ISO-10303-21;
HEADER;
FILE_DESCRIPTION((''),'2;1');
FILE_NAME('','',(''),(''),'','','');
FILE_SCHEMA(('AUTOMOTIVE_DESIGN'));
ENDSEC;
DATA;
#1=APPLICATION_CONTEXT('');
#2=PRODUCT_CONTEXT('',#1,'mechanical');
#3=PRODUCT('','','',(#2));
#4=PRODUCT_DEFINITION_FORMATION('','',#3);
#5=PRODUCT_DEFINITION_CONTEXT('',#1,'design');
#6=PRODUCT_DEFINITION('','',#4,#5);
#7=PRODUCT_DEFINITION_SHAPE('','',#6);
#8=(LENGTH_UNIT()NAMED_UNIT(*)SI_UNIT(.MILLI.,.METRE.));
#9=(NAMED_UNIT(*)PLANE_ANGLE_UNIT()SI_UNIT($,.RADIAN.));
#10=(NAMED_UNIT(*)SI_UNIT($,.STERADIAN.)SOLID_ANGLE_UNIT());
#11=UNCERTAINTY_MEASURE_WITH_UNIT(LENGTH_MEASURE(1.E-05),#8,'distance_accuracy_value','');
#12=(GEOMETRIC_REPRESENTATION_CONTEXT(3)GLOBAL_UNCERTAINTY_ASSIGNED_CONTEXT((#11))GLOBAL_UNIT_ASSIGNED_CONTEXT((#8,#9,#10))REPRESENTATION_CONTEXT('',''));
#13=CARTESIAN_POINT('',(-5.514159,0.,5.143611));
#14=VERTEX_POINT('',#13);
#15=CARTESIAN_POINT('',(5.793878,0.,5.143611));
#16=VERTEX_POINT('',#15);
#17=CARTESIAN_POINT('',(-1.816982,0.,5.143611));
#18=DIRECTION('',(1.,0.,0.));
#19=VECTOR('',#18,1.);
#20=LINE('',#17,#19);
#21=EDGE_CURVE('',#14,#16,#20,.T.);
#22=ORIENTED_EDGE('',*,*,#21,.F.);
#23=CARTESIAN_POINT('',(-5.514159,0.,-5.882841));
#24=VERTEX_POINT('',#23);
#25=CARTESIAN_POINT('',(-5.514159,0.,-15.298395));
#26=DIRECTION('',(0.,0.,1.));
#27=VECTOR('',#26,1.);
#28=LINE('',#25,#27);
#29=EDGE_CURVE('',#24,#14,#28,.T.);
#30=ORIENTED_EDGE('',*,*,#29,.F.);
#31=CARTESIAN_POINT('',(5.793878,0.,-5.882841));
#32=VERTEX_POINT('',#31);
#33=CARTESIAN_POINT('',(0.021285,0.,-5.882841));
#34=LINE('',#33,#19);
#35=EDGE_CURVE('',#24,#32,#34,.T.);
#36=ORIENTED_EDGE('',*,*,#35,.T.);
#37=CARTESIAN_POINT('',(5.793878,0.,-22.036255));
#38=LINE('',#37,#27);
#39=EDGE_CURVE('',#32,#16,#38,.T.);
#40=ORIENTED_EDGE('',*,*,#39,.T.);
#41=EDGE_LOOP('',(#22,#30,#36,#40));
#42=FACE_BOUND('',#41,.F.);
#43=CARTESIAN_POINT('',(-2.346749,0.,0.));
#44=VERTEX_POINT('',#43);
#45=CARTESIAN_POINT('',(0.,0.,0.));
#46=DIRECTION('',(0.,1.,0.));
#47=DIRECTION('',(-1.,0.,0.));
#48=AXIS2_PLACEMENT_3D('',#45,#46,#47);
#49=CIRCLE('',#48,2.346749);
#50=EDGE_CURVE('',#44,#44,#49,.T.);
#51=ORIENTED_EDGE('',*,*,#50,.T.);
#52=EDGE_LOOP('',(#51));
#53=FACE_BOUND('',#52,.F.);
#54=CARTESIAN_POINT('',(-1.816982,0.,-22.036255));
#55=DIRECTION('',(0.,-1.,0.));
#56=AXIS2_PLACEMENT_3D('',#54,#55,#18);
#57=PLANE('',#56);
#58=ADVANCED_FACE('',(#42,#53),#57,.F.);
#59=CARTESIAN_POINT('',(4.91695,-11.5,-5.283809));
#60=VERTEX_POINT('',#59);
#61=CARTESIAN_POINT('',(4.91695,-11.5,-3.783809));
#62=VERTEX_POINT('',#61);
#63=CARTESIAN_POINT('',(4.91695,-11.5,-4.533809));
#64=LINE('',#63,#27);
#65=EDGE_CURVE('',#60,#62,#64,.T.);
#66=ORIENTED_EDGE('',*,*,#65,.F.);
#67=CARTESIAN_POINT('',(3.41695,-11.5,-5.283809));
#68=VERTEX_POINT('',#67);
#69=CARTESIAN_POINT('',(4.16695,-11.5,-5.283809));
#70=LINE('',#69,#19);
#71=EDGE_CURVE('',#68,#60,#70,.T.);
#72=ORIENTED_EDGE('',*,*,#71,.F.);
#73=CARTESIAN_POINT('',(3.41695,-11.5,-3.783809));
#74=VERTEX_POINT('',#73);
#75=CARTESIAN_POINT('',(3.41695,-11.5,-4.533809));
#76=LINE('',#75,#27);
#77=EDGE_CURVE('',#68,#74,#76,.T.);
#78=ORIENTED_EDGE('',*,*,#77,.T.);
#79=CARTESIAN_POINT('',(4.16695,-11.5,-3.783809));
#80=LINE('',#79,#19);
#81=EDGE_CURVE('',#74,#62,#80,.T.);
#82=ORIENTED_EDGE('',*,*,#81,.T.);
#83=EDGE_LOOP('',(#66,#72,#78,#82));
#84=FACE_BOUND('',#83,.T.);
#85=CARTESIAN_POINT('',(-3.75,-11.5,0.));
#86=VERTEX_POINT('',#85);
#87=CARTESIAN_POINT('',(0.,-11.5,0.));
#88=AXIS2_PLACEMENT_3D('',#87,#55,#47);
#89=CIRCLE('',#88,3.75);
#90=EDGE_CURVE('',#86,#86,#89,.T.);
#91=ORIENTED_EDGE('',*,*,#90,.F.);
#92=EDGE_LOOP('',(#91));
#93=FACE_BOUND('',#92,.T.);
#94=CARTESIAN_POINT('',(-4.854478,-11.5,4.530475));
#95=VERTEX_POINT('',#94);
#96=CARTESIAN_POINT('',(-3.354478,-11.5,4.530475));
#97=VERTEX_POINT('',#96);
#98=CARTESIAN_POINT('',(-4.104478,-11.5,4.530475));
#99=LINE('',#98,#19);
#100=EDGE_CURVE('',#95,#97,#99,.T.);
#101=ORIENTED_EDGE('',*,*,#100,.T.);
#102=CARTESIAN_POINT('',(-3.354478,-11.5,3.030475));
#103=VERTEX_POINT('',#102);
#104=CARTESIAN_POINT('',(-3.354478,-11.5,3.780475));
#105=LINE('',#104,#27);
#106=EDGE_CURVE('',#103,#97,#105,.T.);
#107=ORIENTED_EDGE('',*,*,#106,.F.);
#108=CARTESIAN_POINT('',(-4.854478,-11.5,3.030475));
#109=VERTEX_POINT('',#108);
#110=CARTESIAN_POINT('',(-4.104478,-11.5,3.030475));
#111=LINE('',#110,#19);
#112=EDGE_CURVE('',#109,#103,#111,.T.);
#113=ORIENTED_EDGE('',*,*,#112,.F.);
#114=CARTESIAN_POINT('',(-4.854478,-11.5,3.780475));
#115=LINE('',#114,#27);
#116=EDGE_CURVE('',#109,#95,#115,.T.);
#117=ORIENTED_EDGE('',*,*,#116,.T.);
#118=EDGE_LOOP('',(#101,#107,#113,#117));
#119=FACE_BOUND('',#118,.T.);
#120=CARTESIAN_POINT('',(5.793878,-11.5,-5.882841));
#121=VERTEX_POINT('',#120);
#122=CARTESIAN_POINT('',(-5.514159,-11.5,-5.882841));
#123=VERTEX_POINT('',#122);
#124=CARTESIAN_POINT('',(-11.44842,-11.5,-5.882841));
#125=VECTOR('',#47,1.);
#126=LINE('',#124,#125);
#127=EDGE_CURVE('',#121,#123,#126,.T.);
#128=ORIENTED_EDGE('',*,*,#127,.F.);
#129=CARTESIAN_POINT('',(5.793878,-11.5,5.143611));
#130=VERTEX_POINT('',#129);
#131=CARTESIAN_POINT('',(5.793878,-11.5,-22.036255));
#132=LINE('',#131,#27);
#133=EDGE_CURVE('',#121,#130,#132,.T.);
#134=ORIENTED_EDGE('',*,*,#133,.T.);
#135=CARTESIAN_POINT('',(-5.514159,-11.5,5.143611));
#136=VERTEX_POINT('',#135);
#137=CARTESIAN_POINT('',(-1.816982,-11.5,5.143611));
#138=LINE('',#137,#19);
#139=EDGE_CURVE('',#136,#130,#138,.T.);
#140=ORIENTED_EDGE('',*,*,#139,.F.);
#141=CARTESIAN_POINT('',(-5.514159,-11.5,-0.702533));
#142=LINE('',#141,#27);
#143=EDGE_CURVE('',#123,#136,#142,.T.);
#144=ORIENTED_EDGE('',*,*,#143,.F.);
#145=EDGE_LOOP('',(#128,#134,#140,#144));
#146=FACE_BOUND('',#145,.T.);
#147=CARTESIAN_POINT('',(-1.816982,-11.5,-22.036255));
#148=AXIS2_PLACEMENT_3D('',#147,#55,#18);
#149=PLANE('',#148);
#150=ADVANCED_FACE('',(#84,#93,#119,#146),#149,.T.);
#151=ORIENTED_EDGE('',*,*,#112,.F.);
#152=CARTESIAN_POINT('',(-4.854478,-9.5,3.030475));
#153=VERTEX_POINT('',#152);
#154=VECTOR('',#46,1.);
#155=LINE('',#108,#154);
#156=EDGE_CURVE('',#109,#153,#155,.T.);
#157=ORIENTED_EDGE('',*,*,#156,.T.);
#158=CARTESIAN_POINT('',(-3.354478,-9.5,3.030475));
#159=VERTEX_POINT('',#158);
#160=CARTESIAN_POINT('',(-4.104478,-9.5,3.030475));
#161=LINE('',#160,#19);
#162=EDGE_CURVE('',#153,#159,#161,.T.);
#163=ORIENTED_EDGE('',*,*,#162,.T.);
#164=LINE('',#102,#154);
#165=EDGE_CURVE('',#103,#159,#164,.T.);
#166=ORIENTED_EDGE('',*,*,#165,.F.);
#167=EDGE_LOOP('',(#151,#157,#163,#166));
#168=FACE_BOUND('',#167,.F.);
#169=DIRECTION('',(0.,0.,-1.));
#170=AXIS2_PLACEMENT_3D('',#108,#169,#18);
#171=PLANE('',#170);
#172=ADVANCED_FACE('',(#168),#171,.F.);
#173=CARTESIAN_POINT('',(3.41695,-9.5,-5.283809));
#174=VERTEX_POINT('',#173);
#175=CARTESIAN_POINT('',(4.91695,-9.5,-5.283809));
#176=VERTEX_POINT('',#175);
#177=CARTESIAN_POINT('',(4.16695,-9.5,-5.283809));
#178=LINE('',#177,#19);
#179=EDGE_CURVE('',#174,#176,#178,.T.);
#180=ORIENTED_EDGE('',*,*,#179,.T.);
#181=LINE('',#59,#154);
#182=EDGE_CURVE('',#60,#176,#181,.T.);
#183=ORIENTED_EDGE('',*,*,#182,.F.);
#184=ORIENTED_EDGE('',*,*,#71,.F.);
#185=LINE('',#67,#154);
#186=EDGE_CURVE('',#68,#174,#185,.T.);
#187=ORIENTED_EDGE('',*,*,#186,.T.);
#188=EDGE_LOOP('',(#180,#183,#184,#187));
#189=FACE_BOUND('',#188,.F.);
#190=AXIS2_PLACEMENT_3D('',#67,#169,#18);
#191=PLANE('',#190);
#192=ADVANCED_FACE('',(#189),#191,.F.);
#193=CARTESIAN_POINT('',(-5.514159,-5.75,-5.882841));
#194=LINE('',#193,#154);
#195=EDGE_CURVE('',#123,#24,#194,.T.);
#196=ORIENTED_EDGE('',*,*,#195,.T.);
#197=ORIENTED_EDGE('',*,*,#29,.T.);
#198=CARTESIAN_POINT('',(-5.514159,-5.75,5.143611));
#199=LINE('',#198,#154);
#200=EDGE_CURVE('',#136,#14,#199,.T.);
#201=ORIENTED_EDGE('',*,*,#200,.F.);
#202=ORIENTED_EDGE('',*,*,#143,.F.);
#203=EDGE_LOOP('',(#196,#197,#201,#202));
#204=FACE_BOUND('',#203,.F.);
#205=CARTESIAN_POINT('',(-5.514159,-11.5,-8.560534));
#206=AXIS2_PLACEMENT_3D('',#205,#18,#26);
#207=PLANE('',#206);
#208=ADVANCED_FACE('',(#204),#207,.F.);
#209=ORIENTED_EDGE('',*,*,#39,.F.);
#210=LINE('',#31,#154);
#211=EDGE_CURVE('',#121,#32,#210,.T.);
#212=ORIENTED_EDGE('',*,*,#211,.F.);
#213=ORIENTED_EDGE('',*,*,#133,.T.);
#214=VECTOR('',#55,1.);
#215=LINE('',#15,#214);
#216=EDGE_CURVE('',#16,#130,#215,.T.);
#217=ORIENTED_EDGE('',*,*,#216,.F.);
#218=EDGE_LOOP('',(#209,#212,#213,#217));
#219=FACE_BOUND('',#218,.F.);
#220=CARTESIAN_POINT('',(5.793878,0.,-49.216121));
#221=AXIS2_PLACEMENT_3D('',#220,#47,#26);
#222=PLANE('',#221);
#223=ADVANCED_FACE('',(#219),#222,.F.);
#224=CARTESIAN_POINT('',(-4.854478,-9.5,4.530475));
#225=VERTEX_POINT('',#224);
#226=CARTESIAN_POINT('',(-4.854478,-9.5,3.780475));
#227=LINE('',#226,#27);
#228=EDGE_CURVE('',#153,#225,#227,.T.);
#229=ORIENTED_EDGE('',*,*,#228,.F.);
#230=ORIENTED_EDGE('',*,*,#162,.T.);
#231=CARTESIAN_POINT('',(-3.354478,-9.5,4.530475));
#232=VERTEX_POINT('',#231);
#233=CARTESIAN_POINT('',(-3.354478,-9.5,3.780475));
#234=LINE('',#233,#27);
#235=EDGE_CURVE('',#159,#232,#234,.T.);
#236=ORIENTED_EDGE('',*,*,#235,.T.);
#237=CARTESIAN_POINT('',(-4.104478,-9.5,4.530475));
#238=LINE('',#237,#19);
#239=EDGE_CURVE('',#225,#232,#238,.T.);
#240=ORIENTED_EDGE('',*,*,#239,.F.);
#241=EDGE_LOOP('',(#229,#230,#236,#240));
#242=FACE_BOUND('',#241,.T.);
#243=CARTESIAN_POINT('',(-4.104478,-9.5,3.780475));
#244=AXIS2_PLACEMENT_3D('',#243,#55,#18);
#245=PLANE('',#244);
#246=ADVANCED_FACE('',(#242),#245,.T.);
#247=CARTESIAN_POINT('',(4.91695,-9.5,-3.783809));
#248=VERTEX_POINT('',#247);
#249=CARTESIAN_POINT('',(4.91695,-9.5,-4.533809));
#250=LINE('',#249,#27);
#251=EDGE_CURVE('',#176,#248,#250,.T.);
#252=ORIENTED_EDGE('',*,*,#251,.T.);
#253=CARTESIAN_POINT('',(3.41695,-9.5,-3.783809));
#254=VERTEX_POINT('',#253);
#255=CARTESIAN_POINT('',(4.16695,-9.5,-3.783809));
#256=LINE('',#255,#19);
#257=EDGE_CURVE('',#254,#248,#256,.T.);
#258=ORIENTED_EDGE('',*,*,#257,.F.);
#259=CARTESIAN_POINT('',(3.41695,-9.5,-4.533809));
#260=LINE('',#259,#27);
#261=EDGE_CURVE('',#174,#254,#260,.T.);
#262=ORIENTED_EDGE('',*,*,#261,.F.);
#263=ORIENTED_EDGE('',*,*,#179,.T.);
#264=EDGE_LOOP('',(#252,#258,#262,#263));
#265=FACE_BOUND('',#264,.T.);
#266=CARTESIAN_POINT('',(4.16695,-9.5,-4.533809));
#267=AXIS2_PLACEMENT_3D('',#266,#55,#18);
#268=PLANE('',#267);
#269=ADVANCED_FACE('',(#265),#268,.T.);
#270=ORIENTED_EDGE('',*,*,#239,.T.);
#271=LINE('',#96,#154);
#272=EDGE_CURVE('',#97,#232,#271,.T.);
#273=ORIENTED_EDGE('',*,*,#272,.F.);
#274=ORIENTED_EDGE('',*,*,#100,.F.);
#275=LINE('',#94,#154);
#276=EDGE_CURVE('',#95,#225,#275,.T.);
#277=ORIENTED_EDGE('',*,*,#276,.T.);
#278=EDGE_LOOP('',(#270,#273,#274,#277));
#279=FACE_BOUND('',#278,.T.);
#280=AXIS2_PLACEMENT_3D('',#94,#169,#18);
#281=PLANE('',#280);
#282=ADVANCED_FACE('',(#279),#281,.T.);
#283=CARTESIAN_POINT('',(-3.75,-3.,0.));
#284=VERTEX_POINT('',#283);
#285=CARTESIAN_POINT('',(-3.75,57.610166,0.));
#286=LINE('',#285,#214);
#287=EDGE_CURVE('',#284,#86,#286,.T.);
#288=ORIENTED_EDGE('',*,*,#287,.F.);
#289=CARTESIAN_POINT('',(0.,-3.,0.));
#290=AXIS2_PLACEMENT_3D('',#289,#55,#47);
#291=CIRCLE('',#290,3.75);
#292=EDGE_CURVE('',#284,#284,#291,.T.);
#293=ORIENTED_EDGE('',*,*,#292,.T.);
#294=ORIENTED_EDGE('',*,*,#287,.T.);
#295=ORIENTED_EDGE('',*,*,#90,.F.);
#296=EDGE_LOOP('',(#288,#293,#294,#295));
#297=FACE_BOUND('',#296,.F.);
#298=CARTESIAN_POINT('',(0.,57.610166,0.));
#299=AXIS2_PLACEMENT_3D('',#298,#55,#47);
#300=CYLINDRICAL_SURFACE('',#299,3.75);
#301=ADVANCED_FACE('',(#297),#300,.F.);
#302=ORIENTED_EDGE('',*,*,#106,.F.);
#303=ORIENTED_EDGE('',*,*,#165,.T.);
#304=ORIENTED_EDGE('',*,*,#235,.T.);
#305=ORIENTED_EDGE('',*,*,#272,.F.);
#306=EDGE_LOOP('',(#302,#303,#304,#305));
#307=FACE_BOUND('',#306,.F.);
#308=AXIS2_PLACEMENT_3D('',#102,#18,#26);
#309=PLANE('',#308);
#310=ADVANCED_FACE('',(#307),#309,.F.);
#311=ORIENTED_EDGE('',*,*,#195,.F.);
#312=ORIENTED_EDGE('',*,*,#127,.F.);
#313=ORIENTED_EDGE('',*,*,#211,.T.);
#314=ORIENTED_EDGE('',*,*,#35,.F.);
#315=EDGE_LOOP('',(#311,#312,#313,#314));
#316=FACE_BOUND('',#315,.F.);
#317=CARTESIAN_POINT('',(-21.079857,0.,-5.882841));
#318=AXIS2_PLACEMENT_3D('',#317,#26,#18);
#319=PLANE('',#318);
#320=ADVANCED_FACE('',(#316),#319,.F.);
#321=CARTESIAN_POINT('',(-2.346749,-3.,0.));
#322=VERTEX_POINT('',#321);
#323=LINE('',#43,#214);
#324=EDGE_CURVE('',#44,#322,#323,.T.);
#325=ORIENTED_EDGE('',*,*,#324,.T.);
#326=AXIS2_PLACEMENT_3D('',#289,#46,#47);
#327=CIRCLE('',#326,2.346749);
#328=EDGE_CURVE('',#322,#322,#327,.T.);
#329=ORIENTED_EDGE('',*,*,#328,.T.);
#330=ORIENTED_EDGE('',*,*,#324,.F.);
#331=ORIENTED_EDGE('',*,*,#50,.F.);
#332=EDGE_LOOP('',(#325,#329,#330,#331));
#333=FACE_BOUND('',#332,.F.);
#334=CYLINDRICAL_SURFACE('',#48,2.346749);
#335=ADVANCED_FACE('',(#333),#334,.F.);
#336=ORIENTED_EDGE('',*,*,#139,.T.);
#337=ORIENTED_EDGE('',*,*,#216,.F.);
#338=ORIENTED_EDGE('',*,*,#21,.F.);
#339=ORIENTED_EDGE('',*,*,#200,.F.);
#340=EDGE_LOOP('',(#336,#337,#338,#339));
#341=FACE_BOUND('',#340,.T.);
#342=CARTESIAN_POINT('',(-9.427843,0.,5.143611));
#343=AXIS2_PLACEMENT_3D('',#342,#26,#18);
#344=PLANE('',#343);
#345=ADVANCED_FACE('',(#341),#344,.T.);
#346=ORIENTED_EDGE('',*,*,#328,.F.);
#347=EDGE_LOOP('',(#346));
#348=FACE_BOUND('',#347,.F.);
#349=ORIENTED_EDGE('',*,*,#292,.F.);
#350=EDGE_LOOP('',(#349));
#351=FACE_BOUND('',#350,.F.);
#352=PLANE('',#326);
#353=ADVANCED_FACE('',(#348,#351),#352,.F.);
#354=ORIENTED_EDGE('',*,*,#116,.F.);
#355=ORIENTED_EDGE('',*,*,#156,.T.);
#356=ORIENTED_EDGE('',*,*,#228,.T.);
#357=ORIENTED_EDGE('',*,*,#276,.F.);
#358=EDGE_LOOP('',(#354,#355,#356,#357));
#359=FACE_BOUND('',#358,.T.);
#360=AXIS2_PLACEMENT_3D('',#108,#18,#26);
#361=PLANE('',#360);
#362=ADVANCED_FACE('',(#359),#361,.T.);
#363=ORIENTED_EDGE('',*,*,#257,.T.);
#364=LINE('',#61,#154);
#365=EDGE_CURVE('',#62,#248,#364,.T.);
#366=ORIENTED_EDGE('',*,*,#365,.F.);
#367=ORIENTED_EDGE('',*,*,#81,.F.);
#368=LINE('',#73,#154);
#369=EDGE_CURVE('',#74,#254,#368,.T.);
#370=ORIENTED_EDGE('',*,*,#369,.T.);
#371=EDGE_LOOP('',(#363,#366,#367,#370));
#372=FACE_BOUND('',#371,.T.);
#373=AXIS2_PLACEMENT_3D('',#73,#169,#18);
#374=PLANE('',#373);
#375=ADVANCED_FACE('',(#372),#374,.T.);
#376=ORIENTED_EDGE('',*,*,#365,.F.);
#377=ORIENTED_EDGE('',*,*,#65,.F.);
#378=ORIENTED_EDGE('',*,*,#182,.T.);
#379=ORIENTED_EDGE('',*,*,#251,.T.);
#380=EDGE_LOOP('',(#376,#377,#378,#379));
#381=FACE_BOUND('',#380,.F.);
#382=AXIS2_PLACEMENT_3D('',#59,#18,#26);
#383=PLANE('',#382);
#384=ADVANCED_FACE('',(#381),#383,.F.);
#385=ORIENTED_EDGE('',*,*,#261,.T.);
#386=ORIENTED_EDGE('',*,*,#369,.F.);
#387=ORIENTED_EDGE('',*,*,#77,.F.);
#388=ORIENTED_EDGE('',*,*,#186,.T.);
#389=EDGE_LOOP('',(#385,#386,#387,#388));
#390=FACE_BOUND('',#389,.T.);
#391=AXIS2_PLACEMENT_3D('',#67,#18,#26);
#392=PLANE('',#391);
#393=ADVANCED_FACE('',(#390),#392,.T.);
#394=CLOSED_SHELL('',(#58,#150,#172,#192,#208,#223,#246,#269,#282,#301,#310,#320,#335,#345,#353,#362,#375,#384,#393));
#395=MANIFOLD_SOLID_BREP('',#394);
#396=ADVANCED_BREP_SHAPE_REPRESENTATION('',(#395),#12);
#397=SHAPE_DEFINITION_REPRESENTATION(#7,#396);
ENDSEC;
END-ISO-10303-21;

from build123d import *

# Parameters (mm, degrees)
F0_W      = 15.221721
F0_H      = 54.359732
F1_DEPTH  = 11.5
F3_D      = 7.5
F4_W      = 42.202285
F4_H      = 45.044836
F5_DEPTH  = 25
F6_W      = 6.489188
F6_H      = 15.716003
F7_DEPTH  = 14
F8_R      = 4.527333
F8_R_2    = 2.346749
F9_DEPTH  = 3
F10_W     = 1.5
F10_H     = 1.5
F11_DEPTH = 2


with BuildPart() as f1:
    # F0 (on Front) → F1 (new body)
    with BuildSketch(Plane.XZ):
        with Locations((-1.816982, -22.036255)):
            Rectangle(F0_W, F0_H)
    extrude(amount=F1_DEPTH)

    # F3 (through all)
    with Locations(Plane(origin=(0, 0, 0), x_dir=(1, 0, 0), z_dir=(0, 1, 0))):
        with Locations((0, 0)):
            Hole(F3_D / 2)

    # F4 (on Front) → F5 (cut)
    with BuildSketch(Plane.XZ):
        with Locations((0.021285, -28.405259)):
            Rectangle(F4_W, F4_H)
    extrude(amount=F5_DEPTH, mode=Mode.SUBTRACT)

    # F6 (on face) → F7 (cut)
    with BuildSketch(Plane.XZ.offset(11.5)):
        with Locations((-8.758753, -0.702533)):
            Rectangle(F6_W, F6_H)
    extrude(amount=-F7_DEPTH, mode=Mode.SUBTRACT)

    # F8 (on face) → F9 (join)
    with BuildSketch(Plane(origin=(0, 0, 0), x_dir=(-1, 0, 0), z_dir=(0, 1, 0))):
        Circle(F8_R)
        Circle(F8_R_2, mode=Mode.SUBTRACT)
    extrude(amount=-F9_DEPTH)

    # F10 (on face) → F11 (cut)
    with BuildSketch(Plane.XZ.offset(11.5)):
        with Locations((-4.104478, 3.780475)):
            Rectangle(F10_W, F10_H)
        with Locations((4.16695, -4.533809)):
            Rectangle(F10_W, F10_H)
    extrude(amount=-F11_DEPTH, mode=Mode.SUBTRACT)


solid = f1.part
